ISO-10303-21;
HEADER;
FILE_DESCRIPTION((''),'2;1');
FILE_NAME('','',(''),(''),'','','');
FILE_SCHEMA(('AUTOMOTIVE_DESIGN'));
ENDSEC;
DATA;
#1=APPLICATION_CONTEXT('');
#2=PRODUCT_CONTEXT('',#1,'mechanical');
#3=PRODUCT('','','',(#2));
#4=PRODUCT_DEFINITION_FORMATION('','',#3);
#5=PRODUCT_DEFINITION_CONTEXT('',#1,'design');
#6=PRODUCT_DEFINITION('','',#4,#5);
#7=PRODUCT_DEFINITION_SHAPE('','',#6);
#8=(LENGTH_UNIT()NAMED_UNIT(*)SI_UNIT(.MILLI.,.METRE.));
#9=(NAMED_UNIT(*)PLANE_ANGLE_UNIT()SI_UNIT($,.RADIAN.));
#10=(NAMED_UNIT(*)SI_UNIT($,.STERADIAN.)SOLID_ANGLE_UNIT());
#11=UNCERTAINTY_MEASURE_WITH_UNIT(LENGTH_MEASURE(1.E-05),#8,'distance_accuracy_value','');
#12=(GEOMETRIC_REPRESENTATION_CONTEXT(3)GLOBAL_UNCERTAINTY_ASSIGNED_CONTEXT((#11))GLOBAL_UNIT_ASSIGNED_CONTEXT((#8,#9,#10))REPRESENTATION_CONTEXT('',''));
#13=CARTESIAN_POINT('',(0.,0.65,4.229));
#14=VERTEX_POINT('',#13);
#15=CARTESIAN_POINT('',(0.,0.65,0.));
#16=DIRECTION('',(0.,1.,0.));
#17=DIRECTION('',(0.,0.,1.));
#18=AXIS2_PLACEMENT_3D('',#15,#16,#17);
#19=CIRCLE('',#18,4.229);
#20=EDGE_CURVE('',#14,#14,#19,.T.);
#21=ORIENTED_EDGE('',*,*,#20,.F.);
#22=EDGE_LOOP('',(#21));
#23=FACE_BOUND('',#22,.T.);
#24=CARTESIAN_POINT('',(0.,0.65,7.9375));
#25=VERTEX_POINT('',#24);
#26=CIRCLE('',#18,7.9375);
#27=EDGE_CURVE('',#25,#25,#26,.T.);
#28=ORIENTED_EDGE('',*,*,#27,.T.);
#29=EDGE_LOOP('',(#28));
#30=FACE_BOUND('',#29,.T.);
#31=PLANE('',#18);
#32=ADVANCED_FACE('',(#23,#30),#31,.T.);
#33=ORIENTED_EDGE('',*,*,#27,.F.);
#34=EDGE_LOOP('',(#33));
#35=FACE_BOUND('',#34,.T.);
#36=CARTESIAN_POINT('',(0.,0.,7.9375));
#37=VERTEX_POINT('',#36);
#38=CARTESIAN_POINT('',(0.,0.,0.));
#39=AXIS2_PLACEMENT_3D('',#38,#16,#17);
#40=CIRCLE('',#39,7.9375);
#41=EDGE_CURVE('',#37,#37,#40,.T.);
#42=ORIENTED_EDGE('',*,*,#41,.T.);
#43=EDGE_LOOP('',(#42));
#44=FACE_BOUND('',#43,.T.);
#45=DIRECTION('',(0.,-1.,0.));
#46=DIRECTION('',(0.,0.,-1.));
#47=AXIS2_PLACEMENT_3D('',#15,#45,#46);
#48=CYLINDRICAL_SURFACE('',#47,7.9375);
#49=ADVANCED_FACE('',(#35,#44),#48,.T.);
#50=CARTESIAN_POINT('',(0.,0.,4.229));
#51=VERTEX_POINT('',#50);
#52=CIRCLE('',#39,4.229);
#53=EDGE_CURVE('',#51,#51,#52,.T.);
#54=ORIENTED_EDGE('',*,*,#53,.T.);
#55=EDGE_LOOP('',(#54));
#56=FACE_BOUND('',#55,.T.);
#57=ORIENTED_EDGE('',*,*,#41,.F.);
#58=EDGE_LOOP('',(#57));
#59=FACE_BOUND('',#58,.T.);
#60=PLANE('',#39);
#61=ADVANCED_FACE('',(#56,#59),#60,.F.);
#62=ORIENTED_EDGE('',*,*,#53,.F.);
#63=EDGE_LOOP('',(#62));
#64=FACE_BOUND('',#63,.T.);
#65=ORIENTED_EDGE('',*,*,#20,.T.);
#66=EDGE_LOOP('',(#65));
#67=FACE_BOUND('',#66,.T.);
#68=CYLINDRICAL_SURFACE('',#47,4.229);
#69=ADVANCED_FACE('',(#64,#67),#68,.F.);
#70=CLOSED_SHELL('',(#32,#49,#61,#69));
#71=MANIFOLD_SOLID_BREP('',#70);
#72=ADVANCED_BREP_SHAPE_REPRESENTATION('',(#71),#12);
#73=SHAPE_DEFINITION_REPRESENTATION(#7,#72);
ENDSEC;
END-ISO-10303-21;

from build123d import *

# Parameters (mm, degrees)
SKETCH1_R           = 7.9375
SKETCH1_R_2         = 4.229
BOSS_EXTRUDE1_DEPTH = 0.65


with BuildPart() as part:
    # Sketch1 → Boss-Extrude1 (new body)
    with BuildSketch(Plane(origin=(0, 0, 0), x_dir=(1, 0, 0), z_dir=(0, 1, 0))):
        with Locations(Location((0, 0, 0), (0, 0, 270))):
            Circle(SKETCH1_R)
        with Locations(Location((0, 0, 0), (0, 0, 270))):
            Circle(SKETCH1_R_2, mode=Mode.SUBTRACT)
    extrude(amount=BOSS_EXTRUDE1_DEPTH)


solid = part.part
